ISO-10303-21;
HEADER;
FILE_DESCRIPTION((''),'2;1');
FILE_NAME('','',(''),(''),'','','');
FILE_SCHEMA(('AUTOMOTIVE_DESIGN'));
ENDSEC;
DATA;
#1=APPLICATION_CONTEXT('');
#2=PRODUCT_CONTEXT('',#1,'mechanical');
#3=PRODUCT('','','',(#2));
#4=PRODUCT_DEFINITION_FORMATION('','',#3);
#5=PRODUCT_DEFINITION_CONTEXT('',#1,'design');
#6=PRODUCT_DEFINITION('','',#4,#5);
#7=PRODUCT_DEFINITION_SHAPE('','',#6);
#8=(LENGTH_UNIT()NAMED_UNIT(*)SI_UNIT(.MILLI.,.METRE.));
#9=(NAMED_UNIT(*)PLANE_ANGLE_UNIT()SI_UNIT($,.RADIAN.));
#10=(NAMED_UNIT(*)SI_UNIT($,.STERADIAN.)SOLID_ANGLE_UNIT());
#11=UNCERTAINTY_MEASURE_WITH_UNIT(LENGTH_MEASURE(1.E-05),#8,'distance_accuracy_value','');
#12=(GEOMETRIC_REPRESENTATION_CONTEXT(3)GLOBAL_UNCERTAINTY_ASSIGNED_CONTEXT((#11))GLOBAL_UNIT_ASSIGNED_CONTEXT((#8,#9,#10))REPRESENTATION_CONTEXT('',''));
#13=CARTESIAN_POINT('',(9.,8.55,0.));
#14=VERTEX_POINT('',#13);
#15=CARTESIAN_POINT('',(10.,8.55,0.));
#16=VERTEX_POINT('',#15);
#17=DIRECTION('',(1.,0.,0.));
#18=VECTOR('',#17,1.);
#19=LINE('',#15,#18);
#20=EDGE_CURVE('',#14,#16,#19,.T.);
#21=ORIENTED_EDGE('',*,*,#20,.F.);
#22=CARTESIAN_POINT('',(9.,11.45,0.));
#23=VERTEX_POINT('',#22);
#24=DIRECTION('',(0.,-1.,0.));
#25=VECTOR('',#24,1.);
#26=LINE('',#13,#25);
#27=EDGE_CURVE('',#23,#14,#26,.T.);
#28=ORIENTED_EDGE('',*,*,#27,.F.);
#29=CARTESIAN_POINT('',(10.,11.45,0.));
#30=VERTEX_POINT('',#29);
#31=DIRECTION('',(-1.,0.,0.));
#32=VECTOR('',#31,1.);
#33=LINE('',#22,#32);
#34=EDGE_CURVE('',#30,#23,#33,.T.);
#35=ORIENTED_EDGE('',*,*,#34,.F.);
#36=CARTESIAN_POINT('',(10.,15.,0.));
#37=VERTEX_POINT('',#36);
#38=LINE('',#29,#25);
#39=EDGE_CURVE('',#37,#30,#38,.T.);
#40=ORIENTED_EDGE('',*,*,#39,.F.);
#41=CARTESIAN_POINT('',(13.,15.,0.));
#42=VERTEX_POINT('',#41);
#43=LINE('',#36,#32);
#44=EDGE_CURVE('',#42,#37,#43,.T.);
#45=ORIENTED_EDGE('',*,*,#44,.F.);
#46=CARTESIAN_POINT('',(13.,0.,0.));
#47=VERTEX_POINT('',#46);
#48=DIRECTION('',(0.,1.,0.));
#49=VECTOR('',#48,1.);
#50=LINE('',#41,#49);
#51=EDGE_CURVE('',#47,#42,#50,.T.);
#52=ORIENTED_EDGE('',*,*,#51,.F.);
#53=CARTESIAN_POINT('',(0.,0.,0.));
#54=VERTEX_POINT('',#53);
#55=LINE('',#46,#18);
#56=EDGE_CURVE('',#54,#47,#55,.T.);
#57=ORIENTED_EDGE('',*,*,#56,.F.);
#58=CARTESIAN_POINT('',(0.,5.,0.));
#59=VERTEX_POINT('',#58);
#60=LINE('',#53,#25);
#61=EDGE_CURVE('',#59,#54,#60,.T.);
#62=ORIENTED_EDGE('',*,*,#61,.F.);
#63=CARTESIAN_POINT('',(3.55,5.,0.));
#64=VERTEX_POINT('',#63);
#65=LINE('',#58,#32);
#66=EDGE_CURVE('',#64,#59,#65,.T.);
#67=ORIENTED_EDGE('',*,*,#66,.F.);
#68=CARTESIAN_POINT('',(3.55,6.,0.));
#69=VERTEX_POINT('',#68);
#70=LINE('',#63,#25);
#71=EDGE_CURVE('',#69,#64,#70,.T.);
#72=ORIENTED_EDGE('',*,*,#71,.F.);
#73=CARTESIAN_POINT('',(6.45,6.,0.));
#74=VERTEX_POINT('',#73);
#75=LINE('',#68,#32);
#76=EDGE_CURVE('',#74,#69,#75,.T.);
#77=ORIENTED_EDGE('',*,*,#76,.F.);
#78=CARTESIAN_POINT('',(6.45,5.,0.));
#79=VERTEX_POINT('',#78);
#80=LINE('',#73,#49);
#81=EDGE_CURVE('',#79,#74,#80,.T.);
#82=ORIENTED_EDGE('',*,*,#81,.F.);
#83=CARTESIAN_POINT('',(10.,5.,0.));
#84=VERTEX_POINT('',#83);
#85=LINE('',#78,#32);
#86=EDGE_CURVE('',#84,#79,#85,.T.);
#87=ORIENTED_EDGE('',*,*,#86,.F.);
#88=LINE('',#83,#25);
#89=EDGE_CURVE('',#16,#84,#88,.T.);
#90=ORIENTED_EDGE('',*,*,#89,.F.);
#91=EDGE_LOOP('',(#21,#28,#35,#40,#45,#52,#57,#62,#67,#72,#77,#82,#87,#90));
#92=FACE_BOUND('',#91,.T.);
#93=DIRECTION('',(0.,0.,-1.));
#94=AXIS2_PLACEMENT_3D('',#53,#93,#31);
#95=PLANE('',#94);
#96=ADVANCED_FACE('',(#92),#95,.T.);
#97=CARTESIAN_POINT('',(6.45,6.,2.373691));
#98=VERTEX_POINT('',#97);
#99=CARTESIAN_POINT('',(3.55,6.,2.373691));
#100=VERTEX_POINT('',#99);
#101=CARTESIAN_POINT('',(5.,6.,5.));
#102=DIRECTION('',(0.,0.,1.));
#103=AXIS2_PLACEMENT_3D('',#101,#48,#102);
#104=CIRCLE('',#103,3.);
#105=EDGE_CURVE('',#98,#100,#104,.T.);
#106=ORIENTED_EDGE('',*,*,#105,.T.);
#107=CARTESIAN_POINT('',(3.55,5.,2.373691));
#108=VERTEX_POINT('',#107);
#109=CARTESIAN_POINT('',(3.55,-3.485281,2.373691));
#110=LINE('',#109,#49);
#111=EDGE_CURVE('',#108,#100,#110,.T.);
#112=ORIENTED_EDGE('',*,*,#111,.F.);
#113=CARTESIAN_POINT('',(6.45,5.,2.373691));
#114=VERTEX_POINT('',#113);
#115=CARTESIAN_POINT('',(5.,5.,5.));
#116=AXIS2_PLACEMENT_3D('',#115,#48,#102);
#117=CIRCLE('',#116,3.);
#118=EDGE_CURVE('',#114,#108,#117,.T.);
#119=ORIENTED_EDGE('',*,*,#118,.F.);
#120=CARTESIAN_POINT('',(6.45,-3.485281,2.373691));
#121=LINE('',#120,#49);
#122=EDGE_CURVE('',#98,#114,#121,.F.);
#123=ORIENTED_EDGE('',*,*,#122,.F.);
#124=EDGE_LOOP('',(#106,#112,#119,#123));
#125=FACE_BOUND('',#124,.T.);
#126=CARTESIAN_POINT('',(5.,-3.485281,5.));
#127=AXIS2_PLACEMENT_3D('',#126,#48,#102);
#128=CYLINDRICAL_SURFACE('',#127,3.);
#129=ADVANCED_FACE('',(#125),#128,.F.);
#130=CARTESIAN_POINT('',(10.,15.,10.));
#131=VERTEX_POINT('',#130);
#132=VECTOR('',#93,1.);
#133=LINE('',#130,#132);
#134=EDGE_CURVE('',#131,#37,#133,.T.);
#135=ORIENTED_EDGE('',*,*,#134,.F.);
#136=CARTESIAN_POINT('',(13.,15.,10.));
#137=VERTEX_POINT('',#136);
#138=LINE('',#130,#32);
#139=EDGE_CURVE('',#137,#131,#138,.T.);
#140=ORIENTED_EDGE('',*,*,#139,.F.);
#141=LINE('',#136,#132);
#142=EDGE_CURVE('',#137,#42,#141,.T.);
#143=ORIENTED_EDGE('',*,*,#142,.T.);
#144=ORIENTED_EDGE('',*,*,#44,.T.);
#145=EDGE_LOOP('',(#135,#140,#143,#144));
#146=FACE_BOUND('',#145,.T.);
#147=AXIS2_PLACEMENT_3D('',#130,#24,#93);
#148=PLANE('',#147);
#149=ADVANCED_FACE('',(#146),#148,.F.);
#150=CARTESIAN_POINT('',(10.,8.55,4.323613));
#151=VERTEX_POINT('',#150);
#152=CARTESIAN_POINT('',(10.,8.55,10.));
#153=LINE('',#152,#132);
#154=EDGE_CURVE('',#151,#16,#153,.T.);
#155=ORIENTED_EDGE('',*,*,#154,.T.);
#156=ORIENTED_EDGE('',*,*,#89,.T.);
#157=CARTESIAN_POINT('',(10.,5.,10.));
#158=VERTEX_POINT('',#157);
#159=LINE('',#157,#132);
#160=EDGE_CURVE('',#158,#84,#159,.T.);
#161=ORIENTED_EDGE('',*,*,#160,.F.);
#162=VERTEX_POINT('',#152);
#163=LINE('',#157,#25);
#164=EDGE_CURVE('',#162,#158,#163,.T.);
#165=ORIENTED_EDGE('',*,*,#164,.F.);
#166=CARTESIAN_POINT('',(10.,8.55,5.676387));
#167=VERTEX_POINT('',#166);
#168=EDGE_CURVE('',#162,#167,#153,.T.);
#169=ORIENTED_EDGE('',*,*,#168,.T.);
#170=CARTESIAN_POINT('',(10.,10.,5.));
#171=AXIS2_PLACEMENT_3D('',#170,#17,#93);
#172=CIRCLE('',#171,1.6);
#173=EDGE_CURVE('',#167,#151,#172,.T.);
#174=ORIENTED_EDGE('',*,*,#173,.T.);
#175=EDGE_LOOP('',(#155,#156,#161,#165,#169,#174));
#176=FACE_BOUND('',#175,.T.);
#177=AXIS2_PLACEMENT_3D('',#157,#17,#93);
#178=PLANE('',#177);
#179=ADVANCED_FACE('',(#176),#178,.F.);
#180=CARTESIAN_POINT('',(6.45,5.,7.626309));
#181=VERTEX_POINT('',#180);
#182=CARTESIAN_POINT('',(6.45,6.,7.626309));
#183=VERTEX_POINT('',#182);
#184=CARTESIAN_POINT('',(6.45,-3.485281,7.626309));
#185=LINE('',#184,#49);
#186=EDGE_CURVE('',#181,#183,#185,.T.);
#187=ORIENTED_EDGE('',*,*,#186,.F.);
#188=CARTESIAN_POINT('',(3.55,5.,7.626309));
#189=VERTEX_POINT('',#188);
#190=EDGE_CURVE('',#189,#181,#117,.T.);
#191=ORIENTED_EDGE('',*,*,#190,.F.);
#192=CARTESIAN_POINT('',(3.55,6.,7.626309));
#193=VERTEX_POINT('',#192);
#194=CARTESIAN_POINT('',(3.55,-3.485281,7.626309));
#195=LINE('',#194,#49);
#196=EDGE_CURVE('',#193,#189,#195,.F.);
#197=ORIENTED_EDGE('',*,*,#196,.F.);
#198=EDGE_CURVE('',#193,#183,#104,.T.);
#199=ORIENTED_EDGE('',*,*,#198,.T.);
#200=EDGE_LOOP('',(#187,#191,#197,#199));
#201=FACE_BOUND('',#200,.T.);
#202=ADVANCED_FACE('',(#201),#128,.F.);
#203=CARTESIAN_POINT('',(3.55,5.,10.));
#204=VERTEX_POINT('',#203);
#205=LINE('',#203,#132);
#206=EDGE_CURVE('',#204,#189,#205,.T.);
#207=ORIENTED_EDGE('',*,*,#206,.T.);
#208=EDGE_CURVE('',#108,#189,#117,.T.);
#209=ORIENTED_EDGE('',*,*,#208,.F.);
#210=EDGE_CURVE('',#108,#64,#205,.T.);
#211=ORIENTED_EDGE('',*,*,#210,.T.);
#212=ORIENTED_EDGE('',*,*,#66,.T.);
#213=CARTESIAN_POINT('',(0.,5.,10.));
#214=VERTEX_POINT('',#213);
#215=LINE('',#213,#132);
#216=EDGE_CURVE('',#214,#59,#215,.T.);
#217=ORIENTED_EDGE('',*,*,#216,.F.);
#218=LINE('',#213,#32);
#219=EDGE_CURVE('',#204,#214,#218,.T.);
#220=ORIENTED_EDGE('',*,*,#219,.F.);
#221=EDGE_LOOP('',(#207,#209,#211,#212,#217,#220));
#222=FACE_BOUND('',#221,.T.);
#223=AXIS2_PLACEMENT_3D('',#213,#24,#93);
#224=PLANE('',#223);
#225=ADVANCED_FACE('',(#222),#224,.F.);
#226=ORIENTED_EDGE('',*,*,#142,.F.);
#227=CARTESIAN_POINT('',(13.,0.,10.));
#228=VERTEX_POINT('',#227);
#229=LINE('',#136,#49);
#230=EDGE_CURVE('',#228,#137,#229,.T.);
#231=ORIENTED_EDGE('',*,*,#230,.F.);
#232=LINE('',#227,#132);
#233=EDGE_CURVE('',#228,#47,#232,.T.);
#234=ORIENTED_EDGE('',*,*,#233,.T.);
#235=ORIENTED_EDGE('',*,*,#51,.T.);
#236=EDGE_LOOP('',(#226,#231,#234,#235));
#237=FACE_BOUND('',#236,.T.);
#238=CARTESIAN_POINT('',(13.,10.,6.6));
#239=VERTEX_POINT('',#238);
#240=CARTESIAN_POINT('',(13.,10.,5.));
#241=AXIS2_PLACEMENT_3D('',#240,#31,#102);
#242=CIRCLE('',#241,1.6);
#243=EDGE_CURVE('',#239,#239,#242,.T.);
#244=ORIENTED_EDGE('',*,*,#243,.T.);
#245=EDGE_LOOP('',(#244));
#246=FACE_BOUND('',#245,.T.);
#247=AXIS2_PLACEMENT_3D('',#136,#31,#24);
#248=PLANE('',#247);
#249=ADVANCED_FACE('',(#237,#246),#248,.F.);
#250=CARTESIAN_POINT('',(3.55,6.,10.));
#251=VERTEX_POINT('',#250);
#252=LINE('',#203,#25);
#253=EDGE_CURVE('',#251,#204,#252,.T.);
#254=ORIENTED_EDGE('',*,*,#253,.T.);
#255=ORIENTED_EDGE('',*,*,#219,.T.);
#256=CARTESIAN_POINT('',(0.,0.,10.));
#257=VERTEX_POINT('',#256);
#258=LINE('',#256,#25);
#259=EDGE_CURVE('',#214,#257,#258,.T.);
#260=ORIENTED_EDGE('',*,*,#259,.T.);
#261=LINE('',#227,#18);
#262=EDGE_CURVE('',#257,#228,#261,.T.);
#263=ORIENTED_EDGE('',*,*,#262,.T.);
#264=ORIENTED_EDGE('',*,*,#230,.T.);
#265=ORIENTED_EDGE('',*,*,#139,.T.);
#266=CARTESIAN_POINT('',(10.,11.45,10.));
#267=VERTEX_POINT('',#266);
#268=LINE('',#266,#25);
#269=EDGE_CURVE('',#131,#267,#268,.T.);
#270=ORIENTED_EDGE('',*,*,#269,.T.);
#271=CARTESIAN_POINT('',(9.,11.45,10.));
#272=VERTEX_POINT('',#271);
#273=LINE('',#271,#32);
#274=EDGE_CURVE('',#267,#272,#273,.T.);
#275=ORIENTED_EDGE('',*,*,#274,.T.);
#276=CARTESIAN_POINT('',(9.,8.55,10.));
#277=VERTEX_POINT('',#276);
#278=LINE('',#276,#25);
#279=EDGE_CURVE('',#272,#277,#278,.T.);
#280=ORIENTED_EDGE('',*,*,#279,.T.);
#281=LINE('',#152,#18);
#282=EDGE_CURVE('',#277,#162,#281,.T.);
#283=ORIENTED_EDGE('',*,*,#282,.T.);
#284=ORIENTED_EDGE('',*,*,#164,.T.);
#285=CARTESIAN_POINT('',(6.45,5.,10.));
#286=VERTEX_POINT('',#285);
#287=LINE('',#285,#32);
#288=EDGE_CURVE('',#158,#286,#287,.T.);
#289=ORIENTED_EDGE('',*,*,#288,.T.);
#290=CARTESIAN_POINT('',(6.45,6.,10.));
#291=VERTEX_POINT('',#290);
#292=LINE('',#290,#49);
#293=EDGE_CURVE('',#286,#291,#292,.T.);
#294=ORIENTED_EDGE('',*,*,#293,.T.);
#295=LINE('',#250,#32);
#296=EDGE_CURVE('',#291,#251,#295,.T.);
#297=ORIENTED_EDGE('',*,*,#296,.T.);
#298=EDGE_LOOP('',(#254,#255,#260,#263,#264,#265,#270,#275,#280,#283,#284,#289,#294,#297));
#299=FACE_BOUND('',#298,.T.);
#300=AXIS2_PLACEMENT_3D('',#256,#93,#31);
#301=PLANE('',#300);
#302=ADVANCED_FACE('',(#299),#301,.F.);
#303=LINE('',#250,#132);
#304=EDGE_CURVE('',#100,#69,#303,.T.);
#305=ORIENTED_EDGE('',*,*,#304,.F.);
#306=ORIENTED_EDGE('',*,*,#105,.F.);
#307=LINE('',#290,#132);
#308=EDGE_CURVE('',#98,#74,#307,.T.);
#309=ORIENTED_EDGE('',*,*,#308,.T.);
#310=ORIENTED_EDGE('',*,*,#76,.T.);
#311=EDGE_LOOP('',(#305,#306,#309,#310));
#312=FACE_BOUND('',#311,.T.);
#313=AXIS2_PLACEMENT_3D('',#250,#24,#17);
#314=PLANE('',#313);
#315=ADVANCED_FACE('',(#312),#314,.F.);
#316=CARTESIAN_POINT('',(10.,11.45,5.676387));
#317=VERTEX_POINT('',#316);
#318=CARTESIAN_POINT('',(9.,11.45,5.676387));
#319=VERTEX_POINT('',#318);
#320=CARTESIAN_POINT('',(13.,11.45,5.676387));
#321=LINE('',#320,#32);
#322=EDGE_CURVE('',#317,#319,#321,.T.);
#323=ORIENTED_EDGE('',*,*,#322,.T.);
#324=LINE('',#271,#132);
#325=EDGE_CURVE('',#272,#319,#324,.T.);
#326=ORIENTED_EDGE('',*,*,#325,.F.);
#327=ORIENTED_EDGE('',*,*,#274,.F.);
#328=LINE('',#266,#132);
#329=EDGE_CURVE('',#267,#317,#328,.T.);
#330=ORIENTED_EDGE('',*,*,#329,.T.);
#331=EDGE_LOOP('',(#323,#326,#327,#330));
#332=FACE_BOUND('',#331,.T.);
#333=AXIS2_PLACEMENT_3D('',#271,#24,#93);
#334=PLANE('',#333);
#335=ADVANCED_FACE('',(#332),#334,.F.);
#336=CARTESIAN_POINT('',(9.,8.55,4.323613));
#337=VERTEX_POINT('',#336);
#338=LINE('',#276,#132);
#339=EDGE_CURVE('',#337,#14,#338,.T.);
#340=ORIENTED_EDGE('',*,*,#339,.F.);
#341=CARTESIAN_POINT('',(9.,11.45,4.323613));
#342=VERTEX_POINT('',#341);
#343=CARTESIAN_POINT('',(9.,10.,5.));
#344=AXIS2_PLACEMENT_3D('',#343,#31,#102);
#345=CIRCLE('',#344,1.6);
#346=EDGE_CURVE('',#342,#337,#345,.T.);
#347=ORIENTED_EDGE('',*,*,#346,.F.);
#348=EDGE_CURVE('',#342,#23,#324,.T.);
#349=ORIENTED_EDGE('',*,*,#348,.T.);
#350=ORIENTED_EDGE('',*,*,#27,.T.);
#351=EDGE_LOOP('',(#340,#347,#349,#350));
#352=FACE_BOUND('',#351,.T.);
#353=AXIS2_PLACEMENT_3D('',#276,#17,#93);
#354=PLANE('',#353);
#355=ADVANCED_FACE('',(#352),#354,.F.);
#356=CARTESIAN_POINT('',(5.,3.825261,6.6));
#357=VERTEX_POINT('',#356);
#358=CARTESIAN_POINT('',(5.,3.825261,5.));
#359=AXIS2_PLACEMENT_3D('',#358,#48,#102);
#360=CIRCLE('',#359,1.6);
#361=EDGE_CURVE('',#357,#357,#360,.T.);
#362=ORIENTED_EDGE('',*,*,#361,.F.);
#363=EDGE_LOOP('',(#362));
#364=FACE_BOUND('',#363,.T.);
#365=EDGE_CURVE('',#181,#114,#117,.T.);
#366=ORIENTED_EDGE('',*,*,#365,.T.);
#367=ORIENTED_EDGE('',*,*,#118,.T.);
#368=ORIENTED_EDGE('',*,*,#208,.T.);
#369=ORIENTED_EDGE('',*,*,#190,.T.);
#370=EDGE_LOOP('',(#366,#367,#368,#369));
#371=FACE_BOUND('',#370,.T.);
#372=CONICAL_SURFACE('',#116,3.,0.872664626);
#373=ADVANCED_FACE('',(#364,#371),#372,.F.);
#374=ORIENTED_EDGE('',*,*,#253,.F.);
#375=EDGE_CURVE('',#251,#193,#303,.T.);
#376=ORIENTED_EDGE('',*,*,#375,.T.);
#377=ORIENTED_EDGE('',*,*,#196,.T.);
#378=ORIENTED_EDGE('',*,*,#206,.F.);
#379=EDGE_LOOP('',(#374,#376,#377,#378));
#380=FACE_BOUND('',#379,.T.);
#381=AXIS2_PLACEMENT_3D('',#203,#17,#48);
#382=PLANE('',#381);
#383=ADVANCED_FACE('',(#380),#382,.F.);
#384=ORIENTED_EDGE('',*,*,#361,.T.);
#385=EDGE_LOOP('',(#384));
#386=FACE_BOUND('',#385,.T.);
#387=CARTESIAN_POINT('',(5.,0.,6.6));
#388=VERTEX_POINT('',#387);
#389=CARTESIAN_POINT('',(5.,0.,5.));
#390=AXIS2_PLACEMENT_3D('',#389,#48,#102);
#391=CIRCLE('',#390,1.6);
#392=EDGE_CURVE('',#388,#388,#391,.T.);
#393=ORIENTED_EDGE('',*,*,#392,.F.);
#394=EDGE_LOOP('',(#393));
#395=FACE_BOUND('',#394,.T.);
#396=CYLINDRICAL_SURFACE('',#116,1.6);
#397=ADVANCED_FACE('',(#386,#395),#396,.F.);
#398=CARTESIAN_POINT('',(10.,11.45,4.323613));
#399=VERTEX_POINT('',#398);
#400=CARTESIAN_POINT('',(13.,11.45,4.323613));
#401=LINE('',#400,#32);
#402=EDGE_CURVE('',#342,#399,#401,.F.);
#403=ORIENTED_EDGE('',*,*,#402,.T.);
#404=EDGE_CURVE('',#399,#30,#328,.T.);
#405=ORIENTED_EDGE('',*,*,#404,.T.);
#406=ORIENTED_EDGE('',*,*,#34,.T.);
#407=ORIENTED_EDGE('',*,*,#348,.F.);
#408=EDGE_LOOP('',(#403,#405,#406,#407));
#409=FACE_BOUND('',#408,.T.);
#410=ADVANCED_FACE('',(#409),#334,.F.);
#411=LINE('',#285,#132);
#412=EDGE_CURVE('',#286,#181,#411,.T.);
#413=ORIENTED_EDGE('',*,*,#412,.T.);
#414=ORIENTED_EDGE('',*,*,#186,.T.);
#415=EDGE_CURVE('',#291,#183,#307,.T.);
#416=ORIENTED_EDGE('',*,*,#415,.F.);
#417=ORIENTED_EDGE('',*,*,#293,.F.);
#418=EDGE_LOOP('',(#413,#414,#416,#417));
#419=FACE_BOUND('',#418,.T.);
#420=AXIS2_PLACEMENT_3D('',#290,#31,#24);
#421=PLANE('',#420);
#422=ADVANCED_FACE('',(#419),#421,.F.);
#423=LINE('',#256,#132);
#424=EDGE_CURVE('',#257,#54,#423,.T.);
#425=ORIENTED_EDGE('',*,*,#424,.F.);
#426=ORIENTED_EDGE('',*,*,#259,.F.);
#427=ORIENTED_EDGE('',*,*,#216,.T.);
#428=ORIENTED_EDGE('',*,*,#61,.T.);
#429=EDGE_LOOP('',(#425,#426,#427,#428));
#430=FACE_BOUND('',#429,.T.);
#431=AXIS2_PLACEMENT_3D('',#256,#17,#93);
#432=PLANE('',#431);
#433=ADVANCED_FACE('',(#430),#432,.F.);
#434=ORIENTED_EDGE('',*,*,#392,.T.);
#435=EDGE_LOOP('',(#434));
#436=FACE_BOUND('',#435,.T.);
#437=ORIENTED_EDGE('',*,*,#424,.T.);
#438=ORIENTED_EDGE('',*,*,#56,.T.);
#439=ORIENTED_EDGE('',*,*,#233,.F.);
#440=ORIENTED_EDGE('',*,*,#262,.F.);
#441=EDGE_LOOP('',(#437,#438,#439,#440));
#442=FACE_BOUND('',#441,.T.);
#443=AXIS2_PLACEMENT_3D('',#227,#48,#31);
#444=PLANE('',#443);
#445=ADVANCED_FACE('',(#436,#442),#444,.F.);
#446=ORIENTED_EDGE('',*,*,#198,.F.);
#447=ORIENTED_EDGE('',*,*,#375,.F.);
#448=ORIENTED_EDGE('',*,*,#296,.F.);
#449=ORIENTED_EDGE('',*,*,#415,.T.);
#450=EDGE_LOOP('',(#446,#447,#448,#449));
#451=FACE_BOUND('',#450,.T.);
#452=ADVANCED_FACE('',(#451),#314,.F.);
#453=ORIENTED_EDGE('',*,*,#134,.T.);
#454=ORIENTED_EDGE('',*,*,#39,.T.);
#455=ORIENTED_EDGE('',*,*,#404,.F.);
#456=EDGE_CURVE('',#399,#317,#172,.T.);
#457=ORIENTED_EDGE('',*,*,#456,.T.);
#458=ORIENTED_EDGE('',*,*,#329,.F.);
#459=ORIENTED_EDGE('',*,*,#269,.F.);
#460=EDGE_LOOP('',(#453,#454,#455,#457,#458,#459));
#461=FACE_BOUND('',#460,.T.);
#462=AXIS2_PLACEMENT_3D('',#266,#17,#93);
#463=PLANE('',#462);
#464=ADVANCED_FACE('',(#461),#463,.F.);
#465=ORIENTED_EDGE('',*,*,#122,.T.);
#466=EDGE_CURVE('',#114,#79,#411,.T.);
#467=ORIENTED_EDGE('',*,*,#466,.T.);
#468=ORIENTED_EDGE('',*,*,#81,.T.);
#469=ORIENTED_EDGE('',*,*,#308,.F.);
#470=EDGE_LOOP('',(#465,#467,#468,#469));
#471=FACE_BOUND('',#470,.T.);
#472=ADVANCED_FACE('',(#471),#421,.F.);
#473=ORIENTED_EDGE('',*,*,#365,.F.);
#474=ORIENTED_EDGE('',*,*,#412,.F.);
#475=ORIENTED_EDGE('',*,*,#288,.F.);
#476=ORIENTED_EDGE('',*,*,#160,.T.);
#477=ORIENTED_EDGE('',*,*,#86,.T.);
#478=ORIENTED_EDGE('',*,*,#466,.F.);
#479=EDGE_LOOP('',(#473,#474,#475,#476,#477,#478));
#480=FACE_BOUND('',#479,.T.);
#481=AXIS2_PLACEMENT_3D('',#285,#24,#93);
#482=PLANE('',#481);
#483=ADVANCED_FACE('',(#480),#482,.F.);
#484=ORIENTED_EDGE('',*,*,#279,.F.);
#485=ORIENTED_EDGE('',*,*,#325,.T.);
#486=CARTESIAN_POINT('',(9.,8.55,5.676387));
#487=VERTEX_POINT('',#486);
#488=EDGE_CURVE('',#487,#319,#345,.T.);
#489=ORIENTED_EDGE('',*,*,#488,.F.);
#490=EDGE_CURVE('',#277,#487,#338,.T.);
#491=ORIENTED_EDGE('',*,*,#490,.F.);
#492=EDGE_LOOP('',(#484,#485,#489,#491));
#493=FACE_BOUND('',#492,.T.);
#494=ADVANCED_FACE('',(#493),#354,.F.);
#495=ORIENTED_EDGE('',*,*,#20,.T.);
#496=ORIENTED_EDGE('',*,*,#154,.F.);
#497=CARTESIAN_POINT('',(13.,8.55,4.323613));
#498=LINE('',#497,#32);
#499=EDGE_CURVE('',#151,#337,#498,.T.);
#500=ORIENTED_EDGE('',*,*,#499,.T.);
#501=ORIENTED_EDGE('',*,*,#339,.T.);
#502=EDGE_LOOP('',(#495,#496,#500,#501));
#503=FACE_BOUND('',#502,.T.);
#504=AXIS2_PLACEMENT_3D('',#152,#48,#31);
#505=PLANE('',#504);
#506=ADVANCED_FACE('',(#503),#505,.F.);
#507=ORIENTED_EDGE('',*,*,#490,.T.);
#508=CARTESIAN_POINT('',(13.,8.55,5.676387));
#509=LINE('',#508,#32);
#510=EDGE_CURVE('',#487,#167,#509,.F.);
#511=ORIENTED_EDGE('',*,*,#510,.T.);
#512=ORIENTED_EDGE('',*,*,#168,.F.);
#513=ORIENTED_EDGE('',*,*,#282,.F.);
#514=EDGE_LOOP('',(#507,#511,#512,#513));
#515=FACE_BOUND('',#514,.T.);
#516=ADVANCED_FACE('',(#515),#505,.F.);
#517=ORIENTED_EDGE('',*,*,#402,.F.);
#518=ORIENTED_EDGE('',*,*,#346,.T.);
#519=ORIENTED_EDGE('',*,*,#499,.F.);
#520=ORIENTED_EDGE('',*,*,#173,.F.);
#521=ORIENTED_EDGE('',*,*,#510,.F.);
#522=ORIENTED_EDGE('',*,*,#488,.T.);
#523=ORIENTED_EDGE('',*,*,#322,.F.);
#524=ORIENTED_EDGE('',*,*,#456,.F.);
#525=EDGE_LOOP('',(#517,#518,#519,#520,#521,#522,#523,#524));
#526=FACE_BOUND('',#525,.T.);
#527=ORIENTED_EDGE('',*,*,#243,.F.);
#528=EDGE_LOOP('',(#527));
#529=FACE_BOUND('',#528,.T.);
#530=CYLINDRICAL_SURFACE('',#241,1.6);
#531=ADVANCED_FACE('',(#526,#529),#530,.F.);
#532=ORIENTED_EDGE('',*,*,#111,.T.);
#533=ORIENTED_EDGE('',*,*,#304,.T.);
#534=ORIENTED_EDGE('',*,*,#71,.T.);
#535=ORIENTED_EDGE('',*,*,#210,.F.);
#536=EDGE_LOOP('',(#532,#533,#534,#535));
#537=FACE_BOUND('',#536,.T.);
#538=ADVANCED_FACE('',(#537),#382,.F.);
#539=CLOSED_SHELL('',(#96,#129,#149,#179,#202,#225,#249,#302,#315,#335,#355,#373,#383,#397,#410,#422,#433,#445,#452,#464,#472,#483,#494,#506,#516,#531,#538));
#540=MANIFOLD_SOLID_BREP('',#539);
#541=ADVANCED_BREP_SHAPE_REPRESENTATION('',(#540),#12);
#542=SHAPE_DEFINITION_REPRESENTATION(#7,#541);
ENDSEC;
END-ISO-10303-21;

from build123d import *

# Parameters (mm, degrees)
MAIN_DEPTH              = 10
ESQUISSE5_R             = 3
ENL_V_MAT_EXTRU_1_DEPTH = 1
ESQUISSE6_R             = 1.6
ENL_V_MAT_EXTRU_2_DEPTH = 5


with BuildPart() as part:
    # Esquisse1 → Main (new body)
    with BuildSketch(Plane.XY):
        Polygon((0, 5), (3.55, 5), (3.55, 6), (6.45, 6), (6.45, 5), (10, 5), (10, 8.55), (9, 8.55), (9, 11.45), (10, 11.45), (10, 15), (13, 15), (13, 0), (0, 0), align=None)
    extrude(amount=MAIN_DEPTH)

    # Esquisse4 → Fraisage pour vis à tête fraisée (100) #01 (revolve, cut)
    with BuildSketch(Plane(origin=(5, 5, 5), x_dir=(0, 0, 1), z_dir=(1, 0, 0))):
        Polygon((0, 0), (0, 5), (1.6, 5), (1.6, 1.174739484), (3, 0), align=None)
    revolve(axis=Axis((5, 11.35, 5), (0, -1, 0)), mode=Mode.SUBTRACT)

    # Esquisse5 → Enlèv. mat.-Extru.1 (cut)
    with BuildSketch(Plane(origin=(0, 6, 0), x_dir=(1, 0, 0), z_dir=(0, 1, 0))):
        with Locations((5, -5)):
            Circle(ESQUISSE5_R)
    extrude(amount=-ENL_V_MAT_EXTRU_1_DEPTH, mode=Mode.SUBTRACT)

    # Esquisse6 → Enlèv. mat.-Extru.2 (cut, through all)
    with BuildSketch(Plane.ZY.offset(-9)):
        with Locations((5, 10)):
            Circle(ESQUISSE6_R)
    extrude(amount=-ENL_V_MAT_EXTRU_2_DEPTH, mode=Mode.SUBTRACT)


solid = part.part
